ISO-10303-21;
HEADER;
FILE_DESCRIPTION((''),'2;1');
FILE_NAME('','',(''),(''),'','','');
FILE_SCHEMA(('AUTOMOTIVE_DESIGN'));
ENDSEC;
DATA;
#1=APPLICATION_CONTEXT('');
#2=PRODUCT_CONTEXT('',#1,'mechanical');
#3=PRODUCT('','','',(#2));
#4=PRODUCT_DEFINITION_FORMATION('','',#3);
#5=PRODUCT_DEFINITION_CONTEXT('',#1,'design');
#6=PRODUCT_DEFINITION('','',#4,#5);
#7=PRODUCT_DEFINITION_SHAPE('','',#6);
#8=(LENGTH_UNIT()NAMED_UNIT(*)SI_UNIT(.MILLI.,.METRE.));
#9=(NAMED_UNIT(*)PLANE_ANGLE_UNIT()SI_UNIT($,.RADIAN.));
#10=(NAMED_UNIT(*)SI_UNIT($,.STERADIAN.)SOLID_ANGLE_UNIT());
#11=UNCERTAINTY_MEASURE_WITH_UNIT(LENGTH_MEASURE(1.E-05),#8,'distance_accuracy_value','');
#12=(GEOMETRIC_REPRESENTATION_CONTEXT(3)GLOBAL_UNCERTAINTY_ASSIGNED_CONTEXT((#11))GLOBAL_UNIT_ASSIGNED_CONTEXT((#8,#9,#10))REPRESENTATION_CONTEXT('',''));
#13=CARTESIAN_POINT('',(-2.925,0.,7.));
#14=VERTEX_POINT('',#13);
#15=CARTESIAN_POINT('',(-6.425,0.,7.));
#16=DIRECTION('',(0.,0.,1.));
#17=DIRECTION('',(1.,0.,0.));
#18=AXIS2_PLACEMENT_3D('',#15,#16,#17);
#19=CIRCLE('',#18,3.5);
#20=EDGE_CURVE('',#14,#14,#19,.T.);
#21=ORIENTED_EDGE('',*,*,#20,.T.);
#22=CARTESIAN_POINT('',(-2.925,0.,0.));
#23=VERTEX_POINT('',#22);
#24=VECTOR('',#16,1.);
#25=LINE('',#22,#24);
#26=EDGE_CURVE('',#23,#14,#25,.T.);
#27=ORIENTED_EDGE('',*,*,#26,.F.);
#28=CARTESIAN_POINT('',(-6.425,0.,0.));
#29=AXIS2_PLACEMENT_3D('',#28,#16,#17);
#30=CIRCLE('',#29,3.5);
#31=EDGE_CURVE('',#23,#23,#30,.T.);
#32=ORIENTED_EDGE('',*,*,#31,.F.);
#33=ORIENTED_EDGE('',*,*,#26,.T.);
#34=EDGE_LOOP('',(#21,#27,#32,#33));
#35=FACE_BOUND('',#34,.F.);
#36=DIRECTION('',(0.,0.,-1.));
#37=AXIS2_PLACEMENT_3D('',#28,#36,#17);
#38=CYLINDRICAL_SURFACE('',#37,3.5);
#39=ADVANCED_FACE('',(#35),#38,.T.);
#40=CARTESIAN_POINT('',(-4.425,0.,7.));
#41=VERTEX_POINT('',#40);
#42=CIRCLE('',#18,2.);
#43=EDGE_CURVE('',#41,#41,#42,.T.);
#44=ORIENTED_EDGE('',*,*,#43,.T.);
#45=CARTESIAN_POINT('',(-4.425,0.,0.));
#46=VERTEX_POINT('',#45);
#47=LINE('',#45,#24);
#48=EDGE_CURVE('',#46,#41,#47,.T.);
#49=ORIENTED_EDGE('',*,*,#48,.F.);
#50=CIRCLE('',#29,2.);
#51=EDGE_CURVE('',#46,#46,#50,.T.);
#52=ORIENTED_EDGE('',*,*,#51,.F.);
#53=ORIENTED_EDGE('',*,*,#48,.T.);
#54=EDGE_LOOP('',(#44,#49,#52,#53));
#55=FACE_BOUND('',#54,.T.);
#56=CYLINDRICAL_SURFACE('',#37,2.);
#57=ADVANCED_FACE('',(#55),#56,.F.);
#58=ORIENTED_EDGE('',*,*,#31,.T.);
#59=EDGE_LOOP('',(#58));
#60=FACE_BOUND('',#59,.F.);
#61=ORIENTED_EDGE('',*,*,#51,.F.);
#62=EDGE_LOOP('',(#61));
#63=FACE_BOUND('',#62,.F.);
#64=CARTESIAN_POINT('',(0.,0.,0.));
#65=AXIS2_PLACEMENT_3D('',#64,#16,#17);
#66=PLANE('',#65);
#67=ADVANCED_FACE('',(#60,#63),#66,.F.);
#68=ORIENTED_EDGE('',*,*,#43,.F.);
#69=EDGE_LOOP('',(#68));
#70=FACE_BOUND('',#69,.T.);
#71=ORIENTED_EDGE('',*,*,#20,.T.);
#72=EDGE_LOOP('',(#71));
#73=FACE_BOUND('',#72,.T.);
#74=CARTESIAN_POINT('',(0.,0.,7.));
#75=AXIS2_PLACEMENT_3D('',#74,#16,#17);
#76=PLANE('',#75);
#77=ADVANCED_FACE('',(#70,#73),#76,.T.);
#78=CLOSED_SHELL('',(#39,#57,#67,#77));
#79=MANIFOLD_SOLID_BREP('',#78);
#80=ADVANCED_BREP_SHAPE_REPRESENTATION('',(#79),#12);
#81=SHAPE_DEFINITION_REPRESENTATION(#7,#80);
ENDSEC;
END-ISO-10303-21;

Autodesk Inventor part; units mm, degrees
ref_plane "YZ Plane" through (0, 0, 0) normal (1, 0, 0) x (0, 1, 0)
ref_plane "XZ Plane" through (0, 0, 0) normal (0, 1, 0) x (-1, 0, 0)
ref_plane "XY Plane" through (0, 0, 0) normal (0, 0, 1) x (1, 0, 0)
sketch "Sketch1" plane through (0, 0, 0) normal (0, 0, 1) x (1, 0, 0)
  line L0 (0, 4.5) -> (0, -4.5) projected
  line L1 (-0.25, 4.5) -> (0, 4.5) projected
  line L2 (-0.25, 5) -> (-0.25, 4.5) projected
  arc A0 (-0.25, 5) -> (-1.25, 6) centre (-1.25, 5) ccw projected
  line L3 (-11.6, 6) -> (-1.25, 6) projected
  arc A1 (-11.6, 6) -> (-12.6, 5) centre (-11.6, 5) ccw projected
  line L4 (-12.6, 4.5) -> (-12.6, 5) projected
  line L5 (-12.85, 4.5) -> (-12.6, 4.5) projected
  line L6 (-12.85, -4.5) -> (-12.85, 4.5) projected
  line L7 (-12.6, -4.5) -> (-12.85, -4.5) projected
  line L8 (-12.6, -5) -> (-12.6, -4.5) projected
  arc A2 (-12.6, -5) -> (-11.6, -6) centre (-11.6, -5) ccw projected
  line L9 (-1.25, -6) -> (-11.6, -6) projected
  arc A3 (-1.25, -6) -> (-0.25, -5) centre (-1.25, -5) ccw projected
  line L10 (-0.25, -4.5) -> (-0.25, -5) projected
  line L11 (0, -4.5) -> (-0.25, -4.5) projected
  circle A4 centre (-6.425, 0) radius 3.5
  circle A5 centre (-6.425, 0) radius 2
  point P0 (0, 0)
  dimension "d0" = 7
  dimension "d1" = 4
extrude "Extrusion1" add sketch "Sketch1" along normal blind 7 contours A4
thread "Thread1" size "M7x0.75" class "6g" standard "ISO Metric profile" full length
properties part number "12mm Incremental Encoder Threaded Tube"
